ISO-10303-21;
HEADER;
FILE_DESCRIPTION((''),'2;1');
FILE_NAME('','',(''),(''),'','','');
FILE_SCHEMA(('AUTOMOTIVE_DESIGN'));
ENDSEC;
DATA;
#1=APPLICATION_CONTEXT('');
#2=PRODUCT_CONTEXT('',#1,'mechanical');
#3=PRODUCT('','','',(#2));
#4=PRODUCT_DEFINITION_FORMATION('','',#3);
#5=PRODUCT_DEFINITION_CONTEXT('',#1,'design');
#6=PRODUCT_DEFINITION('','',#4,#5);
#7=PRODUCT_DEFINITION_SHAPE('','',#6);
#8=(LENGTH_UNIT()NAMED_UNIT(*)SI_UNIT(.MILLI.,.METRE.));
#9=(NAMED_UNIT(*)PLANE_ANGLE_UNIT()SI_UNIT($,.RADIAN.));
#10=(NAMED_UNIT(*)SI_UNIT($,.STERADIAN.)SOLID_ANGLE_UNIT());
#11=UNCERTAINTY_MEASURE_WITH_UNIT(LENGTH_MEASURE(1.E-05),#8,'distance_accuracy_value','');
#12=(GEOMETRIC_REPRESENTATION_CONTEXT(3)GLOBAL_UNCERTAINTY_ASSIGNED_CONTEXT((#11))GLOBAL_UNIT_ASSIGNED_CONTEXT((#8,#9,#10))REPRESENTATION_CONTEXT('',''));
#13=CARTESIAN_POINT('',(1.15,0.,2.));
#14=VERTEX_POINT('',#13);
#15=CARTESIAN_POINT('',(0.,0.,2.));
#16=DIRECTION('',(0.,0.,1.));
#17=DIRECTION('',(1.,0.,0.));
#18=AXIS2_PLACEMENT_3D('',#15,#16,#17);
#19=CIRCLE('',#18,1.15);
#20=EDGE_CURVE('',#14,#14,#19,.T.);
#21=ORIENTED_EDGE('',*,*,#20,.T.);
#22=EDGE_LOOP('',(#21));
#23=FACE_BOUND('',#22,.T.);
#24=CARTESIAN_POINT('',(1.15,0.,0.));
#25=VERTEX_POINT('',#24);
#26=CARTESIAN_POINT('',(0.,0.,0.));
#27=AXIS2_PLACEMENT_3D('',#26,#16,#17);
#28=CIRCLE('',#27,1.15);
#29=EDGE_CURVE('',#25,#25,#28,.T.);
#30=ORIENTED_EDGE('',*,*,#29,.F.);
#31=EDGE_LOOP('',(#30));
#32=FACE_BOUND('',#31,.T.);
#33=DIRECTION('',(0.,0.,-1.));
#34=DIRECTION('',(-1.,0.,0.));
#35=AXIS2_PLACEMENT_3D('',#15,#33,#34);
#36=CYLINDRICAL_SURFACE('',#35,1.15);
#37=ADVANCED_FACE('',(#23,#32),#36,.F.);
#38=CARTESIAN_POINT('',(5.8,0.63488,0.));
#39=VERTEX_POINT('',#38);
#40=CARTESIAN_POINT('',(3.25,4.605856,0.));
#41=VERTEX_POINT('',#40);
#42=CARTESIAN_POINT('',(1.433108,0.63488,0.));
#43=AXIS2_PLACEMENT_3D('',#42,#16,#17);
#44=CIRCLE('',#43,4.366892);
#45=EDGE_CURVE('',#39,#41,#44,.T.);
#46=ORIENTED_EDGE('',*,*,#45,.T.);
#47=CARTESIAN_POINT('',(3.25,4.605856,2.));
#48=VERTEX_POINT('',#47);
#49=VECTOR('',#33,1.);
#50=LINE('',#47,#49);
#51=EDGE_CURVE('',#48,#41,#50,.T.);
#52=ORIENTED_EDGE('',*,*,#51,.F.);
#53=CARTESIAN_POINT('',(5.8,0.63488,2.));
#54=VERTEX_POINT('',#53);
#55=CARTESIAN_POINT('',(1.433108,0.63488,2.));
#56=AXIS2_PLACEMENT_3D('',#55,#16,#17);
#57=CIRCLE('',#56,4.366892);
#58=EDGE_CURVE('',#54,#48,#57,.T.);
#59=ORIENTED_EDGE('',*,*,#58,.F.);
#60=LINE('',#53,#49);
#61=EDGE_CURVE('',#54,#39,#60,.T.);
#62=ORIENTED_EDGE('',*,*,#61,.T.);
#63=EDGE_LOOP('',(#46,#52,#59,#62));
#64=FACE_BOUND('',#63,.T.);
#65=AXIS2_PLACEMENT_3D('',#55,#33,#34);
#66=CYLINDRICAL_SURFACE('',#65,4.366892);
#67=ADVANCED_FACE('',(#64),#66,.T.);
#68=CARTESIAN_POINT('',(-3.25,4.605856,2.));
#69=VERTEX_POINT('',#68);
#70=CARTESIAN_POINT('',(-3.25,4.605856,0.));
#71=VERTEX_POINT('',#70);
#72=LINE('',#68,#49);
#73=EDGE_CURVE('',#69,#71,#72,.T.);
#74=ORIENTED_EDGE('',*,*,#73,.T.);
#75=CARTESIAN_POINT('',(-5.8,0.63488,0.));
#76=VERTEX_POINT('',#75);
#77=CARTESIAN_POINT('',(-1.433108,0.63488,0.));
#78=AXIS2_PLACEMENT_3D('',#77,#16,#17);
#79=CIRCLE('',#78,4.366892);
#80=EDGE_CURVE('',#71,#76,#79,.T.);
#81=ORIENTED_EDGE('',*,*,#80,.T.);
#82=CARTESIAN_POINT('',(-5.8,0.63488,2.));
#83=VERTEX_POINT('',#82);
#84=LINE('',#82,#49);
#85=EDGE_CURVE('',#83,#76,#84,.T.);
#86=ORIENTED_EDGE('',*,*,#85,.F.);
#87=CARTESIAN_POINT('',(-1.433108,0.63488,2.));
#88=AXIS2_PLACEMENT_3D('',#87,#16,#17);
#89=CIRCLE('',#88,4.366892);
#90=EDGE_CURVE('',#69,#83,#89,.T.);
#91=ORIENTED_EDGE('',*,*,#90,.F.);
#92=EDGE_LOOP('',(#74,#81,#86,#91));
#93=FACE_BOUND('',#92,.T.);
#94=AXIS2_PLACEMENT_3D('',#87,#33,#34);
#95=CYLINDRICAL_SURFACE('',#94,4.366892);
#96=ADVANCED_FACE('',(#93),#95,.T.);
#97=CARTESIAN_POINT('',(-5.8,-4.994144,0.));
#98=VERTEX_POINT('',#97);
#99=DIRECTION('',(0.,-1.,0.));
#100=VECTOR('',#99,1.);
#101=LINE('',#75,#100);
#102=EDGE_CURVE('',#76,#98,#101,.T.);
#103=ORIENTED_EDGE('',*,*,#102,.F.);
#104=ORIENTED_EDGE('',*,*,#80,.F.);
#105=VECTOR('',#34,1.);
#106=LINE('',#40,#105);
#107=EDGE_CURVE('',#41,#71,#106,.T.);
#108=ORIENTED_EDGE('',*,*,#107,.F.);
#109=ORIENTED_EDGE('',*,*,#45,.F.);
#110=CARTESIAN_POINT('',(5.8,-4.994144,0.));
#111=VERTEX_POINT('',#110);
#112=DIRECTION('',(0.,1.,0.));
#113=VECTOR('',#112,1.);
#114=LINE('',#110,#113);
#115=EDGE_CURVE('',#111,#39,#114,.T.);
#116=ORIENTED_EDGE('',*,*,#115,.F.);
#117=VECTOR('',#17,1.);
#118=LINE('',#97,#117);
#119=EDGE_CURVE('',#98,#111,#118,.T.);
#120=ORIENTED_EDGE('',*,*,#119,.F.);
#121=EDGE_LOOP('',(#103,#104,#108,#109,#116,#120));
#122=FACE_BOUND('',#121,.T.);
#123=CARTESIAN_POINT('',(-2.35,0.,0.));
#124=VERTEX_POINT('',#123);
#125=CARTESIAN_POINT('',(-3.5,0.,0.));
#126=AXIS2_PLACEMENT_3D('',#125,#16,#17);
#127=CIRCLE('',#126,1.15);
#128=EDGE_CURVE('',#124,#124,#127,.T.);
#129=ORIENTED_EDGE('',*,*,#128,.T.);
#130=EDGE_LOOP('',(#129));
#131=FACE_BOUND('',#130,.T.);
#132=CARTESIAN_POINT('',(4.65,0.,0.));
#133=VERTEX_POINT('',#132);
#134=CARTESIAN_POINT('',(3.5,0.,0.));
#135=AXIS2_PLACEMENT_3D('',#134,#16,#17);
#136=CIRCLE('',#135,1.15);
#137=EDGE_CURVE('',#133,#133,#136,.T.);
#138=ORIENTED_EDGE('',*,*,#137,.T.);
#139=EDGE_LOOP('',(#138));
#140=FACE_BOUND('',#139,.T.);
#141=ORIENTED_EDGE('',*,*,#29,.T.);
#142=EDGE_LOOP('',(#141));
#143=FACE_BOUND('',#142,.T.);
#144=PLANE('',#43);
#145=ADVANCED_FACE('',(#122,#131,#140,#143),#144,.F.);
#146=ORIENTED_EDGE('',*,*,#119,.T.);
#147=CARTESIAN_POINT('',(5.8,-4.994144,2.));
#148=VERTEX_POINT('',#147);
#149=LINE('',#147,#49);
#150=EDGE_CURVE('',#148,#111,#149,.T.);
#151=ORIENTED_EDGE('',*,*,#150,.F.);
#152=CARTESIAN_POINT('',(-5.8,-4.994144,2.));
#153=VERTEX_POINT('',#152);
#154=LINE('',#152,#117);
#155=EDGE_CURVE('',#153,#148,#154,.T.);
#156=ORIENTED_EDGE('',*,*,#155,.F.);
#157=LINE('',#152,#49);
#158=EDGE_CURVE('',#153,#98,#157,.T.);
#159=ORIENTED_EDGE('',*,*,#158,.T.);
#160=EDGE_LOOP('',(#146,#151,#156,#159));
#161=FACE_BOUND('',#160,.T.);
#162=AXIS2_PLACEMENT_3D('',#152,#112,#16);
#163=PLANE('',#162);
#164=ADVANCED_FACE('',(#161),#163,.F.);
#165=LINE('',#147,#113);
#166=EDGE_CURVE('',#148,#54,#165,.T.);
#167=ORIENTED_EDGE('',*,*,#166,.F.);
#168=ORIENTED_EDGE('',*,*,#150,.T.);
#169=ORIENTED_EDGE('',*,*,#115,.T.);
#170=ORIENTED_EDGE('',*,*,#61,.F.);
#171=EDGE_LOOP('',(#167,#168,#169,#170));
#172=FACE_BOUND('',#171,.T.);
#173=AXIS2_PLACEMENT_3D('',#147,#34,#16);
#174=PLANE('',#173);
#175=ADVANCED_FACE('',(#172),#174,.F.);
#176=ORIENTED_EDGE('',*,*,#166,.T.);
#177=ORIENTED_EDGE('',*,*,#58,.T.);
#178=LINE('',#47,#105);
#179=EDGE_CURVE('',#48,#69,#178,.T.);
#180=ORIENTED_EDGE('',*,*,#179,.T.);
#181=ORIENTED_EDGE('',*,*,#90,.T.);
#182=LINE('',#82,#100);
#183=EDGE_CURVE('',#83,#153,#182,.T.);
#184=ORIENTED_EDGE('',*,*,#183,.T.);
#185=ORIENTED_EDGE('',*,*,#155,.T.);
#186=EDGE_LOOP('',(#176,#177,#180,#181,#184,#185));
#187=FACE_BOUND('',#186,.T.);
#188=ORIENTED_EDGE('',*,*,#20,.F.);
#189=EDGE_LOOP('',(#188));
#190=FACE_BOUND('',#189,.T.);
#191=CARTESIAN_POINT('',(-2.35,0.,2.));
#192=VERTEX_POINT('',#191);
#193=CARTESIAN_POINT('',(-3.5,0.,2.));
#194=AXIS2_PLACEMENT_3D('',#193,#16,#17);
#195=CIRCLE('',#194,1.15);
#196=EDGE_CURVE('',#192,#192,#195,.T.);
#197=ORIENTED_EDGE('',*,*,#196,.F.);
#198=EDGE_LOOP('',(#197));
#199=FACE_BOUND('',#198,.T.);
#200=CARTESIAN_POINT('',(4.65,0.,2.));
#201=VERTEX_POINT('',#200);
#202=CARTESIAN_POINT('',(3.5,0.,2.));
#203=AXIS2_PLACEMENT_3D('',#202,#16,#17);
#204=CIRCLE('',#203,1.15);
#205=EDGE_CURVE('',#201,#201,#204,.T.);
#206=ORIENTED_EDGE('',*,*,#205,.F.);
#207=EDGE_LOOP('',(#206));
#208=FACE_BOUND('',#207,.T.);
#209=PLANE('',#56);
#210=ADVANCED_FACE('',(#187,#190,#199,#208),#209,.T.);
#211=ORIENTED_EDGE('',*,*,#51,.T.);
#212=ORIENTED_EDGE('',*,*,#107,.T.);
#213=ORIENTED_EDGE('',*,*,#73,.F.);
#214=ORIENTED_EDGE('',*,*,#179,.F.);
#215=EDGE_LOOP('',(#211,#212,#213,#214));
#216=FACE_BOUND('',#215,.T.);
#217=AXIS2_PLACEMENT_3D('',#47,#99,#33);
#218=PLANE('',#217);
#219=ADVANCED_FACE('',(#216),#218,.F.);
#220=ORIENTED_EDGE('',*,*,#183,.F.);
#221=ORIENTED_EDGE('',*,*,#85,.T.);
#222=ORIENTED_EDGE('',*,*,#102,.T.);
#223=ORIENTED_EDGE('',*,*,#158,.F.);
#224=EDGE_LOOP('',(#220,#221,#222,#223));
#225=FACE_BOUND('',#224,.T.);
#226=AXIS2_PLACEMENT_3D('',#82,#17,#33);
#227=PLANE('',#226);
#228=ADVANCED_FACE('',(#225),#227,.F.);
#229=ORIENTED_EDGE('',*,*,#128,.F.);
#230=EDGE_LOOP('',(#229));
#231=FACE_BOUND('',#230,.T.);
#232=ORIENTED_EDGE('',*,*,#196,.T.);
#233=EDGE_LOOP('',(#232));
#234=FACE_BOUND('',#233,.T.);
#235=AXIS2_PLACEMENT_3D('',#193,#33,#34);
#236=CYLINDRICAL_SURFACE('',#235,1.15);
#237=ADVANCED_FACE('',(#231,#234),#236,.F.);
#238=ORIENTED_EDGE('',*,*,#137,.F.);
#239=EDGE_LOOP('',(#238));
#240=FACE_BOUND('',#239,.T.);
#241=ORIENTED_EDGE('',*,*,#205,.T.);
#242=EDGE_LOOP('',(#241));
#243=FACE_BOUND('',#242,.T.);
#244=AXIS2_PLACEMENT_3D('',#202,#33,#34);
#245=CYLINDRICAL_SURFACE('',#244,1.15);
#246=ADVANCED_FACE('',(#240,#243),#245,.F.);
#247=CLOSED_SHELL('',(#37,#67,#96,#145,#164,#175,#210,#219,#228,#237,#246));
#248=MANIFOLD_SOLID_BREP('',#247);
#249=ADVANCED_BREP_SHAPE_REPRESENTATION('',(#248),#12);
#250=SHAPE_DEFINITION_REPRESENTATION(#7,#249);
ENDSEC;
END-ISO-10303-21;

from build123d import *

# Parameters (mm, degrees)
SZKIC1_R                    = 1.15
DODANIE_WYCI_GNI_CIE1_DEPTH = 2


with BuildPart() as part:
    # Szkic1 → Dodanie-wyciągnięcie1 (new body)
    with BuildSketch(Plane.XY):
        with BuildLine():
            Line((-5.8, -4.994143627), (5.8, -4.994143627))
            Line((5.8, -4.994143627), (5.8, 0.63488027))
            ThreePointArc((5.8, 0.63488027), (5.10760912, 2.994496299), (3.25, 4.605856373))
            Line((3.25, 4.605856373), (-3.25, 4.605856373))
            ThreePointArc((-3.25, 4.605856373), (-5.10760912, 2.994496299), (-5.8, 0.63488027))
            Line((-5.8, 0.63488027), (-5.8, -4.994143627))
        make_face()
        Circle(SZKIC1_R, mode=Mode.SUBTRACT)
        with Locations((3.5, 0)):
            Circle(SZKIC1_R, mode=Mode.SUBTRACT)
        with Locations((-3.5, 0)):
            Circle(SZKIC1_R, mode=Mode.SUBTRACT)
    extrude(amount=DODANIE_WYCI_GNI_CIE1_DEPTH)


solid = part.part
